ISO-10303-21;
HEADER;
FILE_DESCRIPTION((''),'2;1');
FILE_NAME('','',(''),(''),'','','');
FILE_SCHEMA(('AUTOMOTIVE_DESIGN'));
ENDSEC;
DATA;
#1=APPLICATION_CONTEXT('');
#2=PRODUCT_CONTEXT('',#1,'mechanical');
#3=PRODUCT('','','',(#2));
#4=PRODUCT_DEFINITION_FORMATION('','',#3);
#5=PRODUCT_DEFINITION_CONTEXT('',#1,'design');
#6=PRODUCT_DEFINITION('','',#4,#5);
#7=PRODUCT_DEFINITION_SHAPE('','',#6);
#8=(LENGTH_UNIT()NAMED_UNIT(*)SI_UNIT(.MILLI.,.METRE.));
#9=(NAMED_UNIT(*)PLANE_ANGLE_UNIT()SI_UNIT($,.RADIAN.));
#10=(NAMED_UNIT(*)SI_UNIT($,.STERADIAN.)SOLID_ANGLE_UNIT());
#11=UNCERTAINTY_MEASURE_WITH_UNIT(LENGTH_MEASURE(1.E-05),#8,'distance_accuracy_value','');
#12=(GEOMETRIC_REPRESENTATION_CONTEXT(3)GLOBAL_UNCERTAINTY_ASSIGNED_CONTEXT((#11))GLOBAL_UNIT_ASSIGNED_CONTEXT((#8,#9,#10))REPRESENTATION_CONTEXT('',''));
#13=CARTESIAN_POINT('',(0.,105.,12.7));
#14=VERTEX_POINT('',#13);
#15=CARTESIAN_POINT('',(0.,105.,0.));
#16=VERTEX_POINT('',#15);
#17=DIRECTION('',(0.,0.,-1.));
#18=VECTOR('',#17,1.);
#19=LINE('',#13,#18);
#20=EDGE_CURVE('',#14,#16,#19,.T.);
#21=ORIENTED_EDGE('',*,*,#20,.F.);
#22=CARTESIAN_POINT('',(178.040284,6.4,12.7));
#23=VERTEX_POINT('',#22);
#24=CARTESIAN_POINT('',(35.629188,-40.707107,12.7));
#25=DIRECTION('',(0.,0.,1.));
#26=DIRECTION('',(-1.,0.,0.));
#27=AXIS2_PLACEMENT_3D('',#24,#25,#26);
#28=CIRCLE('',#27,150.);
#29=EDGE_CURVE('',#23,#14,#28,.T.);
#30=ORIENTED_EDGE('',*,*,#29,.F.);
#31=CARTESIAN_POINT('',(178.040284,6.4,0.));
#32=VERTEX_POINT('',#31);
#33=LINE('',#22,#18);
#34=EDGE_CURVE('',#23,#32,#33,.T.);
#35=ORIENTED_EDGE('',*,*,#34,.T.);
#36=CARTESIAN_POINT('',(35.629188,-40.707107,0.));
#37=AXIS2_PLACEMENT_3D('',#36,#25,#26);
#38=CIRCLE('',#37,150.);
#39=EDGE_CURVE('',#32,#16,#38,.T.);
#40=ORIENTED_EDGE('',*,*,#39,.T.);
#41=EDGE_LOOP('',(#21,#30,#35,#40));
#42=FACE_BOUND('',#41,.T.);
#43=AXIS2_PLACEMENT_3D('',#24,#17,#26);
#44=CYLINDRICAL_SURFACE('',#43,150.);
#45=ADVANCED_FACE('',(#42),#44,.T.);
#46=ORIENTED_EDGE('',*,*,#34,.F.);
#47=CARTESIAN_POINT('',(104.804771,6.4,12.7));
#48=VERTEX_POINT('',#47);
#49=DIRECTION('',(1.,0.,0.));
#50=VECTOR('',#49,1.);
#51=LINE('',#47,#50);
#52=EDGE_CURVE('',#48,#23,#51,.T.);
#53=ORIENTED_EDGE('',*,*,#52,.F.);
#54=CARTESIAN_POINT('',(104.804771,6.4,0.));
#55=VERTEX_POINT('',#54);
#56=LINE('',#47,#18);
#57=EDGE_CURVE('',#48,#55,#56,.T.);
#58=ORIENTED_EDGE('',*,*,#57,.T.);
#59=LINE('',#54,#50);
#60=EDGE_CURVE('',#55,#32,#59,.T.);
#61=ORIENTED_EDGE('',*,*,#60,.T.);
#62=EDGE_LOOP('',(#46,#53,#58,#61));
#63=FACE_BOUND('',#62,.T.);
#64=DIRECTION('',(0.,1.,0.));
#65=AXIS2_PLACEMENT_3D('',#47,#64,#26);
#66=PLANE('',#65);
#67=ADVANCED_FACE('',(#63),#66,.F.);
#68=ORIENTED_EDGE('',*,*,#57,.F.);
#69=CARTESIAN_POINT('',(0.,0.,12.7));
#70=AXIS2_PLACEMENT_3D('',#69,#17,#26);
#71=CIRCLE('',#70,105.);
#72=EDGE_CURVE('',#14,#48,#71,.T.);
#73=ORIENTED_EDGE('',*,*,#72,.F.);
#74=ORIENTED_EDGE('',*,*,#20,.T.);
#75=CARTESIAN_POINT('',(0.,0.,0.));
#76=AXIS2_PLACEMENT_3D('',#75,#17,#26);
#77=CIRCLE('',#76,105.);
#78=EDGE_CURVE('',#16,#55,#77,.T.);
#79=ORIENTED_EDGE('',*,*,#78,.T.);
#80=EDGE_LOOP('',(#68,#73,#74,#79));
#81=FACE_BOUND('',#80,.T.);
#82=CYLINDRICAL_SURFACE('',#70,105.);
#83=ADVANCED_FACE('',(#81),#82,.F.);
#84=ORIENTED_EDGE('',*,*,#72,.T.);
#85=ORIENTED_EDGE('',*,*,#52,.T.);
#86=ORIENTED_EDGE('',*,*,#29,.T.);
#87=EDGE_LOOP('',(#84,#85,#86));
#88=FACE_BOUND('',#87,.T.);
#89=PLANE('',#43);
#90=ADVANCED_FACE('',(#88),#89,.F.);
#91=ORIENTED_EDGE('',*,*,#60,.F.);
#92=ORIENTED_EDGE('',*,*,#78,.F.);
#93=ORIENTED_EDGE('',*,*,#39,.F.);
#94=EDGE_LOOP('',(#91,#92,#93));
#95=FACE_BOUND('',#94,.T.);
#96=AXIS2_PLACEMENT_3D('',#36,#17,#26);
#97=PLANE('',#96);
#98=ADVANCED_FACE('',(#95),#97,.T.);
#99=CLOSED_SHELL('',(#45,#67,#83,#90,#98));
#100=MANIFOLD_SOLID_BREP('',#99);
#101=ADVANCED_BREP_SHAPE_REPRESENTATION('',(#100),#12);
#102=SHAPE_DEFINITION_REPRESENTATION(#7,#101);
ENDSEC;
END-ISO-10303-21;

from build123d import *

# Parameters (mm, degrees)
BOSS_EXTRUDE1_DEPTH = 12.7


with BuildPart() as part:
    # Sketch1 → Boss-Extrude1 (new body)
    with BuildSketch(Plane.XY):
        with BuildLine():
            Line((104.804770884, 6.4), (178.040284447, 6.4))
            ThreePointArc((178.040284447, 6.4), (108.300255009, 90.51376029), (0, 105))
            ThreePointArc((0, 105), (71.947897815, 76.475486268), (104.804770884, 6.4))
        make_face()
    extrude(amount=BOSS_EXTRUDE1_DEPTH)


solid = part.part
